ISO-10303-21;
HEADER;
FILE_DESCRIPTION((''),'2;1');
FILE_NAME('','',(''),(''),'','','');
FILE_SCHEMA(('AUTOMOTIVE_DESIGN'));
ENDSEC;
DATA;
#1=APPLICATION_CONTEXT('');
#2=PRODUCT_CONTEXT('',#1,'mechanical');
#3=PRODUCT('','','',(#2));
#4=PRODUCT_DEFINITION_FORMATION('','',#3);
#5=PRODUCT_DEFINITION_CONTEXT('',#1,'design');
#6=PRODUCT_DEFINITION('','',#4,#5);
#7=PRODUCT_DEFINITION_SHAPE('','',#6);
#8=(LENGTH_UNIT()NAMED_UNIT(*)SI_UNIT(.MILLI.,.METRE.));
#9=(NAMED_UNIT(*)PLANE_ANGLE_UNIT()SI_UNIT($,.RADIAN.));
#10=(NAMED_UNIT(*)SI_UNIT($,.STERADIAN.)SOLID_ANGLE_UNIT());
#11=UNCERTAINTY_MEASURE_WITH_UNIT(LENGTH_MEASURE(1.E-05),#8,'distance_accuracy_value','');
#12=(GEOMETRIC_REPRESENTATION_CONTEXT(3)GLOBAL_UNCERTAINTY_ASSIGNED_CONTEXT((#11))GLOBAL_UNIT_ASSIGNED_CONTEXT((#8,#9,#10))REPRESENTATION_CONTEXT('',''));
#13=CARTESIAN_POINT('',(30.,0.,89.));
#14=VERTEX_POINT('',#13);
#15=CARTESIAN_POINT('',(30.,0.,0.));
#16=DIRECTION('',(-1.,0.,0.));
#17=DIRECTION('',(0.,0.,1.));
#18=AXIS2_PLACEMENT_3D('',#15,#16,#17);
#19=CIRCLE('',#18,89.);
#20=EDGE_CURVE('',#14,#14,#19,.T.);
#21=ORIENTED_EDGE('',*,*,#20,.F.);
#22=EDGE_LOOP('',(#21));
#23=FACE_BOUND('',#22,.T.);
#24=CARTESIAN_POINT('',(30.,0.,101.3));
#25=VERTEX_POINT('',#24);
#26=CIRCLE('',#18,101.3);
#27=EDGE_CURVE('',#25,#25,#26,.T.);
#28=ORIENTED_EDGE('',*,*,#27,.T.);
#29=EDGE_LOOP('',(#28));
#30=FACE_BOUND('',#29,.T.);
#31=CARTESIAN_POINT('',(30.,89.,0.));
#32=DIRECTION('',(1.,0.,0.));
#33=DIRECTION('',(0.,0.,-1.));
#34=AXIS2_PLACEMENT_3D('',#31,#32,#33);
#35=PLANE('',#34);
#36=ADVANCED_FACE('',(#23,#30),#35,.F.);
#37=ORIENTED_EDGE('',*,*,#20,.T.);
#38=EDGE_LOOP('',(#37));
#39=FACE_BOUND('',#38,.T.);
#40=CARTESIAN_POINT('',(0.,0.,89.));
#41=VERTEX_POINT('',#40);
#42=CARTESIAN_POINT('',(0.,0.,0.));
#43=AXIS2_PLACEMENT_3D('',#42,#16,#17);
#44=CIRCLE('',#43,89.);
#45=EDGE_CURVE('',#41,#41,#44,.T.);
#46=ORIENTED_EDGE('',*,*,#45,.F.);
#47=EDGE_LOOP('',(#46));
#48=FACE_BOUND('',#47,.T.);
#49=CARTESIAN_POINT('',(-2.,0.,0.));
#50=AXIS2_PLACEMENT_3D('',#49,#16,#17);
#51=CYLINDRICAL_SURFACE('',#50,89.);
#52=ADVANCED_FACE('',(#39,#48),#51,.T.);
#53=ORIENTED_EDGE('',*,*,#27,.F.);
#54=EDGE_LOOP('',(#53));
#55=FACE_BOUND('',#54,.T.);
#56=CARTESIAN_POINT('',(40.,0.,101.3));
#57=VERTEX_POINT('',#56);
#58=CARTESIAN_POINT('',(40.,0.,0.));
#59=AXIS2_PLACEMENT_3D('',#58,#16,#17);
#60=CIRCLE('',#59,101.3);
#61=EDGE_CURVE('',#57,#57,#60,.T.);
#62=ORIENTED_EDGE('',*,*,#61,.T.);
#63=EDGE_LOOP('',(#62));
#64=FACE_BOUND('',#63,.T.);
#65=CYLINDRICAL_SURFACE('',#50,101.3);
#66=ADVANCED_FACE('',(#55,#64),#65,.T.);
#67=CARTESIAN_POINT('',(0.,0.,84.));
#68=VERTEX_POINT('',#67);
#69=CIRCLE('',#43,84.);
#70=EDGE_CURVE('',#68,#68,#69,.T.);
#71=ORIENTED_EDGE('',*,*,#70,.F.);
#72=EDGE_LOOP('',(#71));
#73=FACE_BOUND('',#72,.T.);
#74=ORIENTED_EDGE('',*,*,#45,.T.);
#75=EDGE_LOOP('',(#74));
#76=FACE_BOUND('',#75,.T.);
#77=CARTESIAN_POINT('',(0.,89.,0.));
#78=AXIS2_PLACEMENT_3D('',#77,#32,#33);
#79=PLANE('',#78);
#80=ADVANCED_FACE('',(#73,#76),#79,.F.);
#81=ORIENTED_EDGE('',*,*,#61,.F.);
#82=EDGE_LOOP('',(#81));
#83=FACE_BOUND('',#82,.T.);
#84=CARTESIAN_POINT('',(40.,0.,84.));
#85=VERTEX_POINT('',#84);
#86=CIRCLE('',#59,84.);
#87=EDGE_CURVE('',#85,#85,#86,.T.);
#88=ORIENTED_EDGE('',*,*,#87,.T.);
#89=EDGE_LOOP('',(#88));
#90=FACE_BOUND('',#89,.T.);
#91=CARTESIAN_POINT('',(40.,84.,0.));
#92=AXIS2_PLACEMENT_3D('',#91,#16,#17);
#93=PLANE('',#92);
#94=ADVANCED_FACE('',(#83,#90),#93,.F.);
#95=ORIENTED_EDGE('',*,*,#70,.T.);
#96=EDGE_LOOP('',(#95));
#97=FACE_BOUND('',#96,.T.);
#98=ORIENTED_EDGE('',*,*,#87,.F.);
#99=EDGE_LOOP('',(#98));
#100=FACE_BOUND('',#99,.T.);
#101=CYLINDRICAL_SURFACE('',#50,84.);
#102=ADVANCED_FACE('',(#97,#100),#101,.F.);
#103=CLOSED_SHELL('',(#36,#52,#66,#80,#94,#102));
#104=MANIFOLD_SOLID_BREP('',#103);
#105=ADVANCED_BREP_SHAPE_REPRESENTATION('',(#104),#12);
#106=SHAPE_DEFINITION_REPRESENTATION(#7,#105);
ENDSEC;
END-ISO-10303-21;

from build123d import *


with BuildPart() as part:
    # Sketch1 → Revolve1 (revolve)
    with BuildSketch(Plane.XY):
        Polygon((0, 89), (30, 89), (30, 101.3), (40, 101.3), (40, 84), (0, 84), align=None)
    revolve(axis=Axis((-2, 0, 0), (1, 0, 0)))


solid = part.part
